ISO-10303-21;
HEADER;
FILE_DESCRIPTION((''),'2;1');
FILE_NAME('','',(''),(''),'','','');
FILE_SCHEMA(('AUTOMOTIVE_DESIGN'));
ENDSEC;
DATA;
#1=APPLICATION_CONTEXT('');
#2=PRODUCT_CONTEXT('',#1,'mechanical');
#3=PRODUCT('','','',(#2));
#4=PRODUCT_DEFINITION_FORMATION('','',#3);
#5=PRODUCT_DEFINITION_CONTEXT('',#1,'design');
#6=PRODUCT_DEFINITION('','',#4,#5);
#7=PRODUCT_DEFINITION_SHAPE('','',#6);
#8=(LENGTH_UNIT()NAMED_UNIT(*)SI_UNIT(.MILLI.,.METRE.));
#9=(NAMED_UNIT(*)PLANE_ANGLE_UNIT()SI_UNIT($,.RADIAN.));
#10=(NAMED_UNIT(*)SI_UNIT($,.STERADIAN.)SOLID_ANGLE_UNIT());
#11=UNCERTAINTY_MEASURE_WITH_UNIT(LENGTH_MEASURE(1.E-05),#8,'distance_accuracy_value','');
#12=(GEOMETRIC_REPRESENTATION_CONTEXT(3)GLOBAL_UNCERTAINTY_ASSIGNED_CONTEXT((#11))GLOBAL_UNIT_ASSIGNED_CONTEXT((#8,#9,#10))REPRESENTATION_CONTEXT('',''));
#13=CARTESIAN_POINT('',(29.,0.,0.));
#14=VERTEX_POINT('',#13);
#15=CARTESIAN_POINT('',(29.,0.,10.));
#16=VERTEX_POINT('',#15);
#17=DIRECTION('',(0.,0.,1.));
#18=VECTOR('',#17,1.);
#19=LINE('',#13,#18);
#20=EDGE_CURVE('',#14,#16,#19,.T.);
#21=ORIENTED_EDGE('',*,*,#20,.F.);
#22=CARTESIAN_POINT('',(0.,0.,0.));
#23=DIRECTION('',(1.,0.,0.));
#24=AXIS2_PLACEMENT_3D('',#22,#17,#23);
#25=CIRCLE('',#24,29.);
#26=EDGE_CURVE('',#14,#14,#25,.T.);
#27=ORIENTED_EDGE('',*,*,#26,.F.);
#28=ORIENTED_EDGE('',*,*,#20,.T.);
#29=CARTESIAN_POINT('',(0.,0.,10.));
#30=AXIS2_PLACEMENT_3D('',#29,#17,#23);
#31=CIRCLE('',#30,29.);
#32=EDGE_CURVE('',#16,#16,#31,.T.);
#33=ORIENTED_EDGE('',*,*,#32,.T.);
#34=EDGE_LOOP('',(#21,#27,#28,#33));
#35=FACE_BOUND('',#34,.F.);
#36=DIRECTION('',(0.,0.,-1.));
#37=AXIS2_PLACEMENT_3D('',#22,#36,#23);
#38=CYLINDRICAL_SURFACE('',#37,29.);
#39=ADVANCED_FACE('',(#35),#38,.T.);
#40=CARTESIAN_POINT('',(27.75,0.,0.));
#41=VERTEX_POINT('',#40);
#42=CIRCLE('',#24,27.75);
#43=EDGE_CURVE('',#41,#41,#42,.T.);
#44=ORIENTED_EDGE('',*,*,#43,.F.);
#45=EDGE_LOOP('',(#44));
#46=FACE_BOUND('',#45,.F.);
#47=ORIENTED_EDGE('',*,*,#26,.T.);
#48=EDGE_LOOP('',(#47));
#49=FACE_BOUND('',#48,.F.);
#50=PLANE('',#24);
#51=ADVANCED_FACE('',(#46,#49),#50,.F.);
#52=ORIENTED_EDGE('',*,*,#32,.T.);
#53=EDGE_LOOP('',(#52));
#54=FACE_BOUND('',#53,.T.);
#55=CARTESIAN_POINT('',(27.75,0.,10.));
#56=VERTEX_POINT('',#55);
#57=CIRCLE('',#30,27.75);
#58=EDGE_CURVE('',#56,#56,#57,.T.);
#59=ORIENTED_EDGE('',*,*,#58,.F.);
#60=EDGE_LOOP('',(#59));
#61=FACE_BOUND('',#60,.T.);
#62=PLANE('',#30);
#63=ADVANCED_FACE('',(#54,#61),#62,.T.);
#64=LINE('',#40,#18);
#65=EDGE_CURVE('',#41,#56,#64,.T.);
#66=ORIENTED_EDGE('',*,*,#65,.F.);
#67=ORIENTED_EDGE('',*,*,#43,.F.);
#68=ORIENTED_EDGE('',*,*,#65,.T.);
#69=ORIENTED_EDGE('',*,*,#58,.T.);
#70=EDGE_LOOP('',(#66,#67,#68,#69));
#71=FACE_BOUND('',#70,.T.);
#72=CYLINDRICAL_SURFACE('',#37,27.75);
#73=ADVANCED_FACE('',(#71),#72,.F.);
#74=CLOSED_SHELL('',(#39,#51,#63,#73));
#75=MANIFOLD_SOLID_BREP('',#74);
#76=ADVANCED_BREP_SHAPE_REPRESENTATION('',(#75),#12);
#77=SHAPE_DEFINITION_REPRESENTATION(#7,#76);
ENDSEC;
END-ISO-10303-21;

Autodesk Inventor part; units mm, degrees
ref_plane "YZ Plane" through (0, 0, 0) normal (1, 0, 0) x (0, 1, 0)
ref_plane "XZ Plane" through (0, 0, 0) normal (0, 1, 0) x (-1, 0, 0)
ref_plane "XY Plane" through (0, 0, 0) normal (0, 0, 1) x (1, 0, 0)
sketch "Sketch1" plane through (0, 0, 0) normal (0, 0, 1) x (1, 0, 0)
  circle A0 centre (0, 0) radius 29
  circle A1 centre (0, 0) radius 27.75
  dimension "d0" = 58
  dimension "d1" = 1.25
extrude "Extrusion1" add sketch "Sketch1" along normal blind 10
properties part number "motor 6809 flux"
